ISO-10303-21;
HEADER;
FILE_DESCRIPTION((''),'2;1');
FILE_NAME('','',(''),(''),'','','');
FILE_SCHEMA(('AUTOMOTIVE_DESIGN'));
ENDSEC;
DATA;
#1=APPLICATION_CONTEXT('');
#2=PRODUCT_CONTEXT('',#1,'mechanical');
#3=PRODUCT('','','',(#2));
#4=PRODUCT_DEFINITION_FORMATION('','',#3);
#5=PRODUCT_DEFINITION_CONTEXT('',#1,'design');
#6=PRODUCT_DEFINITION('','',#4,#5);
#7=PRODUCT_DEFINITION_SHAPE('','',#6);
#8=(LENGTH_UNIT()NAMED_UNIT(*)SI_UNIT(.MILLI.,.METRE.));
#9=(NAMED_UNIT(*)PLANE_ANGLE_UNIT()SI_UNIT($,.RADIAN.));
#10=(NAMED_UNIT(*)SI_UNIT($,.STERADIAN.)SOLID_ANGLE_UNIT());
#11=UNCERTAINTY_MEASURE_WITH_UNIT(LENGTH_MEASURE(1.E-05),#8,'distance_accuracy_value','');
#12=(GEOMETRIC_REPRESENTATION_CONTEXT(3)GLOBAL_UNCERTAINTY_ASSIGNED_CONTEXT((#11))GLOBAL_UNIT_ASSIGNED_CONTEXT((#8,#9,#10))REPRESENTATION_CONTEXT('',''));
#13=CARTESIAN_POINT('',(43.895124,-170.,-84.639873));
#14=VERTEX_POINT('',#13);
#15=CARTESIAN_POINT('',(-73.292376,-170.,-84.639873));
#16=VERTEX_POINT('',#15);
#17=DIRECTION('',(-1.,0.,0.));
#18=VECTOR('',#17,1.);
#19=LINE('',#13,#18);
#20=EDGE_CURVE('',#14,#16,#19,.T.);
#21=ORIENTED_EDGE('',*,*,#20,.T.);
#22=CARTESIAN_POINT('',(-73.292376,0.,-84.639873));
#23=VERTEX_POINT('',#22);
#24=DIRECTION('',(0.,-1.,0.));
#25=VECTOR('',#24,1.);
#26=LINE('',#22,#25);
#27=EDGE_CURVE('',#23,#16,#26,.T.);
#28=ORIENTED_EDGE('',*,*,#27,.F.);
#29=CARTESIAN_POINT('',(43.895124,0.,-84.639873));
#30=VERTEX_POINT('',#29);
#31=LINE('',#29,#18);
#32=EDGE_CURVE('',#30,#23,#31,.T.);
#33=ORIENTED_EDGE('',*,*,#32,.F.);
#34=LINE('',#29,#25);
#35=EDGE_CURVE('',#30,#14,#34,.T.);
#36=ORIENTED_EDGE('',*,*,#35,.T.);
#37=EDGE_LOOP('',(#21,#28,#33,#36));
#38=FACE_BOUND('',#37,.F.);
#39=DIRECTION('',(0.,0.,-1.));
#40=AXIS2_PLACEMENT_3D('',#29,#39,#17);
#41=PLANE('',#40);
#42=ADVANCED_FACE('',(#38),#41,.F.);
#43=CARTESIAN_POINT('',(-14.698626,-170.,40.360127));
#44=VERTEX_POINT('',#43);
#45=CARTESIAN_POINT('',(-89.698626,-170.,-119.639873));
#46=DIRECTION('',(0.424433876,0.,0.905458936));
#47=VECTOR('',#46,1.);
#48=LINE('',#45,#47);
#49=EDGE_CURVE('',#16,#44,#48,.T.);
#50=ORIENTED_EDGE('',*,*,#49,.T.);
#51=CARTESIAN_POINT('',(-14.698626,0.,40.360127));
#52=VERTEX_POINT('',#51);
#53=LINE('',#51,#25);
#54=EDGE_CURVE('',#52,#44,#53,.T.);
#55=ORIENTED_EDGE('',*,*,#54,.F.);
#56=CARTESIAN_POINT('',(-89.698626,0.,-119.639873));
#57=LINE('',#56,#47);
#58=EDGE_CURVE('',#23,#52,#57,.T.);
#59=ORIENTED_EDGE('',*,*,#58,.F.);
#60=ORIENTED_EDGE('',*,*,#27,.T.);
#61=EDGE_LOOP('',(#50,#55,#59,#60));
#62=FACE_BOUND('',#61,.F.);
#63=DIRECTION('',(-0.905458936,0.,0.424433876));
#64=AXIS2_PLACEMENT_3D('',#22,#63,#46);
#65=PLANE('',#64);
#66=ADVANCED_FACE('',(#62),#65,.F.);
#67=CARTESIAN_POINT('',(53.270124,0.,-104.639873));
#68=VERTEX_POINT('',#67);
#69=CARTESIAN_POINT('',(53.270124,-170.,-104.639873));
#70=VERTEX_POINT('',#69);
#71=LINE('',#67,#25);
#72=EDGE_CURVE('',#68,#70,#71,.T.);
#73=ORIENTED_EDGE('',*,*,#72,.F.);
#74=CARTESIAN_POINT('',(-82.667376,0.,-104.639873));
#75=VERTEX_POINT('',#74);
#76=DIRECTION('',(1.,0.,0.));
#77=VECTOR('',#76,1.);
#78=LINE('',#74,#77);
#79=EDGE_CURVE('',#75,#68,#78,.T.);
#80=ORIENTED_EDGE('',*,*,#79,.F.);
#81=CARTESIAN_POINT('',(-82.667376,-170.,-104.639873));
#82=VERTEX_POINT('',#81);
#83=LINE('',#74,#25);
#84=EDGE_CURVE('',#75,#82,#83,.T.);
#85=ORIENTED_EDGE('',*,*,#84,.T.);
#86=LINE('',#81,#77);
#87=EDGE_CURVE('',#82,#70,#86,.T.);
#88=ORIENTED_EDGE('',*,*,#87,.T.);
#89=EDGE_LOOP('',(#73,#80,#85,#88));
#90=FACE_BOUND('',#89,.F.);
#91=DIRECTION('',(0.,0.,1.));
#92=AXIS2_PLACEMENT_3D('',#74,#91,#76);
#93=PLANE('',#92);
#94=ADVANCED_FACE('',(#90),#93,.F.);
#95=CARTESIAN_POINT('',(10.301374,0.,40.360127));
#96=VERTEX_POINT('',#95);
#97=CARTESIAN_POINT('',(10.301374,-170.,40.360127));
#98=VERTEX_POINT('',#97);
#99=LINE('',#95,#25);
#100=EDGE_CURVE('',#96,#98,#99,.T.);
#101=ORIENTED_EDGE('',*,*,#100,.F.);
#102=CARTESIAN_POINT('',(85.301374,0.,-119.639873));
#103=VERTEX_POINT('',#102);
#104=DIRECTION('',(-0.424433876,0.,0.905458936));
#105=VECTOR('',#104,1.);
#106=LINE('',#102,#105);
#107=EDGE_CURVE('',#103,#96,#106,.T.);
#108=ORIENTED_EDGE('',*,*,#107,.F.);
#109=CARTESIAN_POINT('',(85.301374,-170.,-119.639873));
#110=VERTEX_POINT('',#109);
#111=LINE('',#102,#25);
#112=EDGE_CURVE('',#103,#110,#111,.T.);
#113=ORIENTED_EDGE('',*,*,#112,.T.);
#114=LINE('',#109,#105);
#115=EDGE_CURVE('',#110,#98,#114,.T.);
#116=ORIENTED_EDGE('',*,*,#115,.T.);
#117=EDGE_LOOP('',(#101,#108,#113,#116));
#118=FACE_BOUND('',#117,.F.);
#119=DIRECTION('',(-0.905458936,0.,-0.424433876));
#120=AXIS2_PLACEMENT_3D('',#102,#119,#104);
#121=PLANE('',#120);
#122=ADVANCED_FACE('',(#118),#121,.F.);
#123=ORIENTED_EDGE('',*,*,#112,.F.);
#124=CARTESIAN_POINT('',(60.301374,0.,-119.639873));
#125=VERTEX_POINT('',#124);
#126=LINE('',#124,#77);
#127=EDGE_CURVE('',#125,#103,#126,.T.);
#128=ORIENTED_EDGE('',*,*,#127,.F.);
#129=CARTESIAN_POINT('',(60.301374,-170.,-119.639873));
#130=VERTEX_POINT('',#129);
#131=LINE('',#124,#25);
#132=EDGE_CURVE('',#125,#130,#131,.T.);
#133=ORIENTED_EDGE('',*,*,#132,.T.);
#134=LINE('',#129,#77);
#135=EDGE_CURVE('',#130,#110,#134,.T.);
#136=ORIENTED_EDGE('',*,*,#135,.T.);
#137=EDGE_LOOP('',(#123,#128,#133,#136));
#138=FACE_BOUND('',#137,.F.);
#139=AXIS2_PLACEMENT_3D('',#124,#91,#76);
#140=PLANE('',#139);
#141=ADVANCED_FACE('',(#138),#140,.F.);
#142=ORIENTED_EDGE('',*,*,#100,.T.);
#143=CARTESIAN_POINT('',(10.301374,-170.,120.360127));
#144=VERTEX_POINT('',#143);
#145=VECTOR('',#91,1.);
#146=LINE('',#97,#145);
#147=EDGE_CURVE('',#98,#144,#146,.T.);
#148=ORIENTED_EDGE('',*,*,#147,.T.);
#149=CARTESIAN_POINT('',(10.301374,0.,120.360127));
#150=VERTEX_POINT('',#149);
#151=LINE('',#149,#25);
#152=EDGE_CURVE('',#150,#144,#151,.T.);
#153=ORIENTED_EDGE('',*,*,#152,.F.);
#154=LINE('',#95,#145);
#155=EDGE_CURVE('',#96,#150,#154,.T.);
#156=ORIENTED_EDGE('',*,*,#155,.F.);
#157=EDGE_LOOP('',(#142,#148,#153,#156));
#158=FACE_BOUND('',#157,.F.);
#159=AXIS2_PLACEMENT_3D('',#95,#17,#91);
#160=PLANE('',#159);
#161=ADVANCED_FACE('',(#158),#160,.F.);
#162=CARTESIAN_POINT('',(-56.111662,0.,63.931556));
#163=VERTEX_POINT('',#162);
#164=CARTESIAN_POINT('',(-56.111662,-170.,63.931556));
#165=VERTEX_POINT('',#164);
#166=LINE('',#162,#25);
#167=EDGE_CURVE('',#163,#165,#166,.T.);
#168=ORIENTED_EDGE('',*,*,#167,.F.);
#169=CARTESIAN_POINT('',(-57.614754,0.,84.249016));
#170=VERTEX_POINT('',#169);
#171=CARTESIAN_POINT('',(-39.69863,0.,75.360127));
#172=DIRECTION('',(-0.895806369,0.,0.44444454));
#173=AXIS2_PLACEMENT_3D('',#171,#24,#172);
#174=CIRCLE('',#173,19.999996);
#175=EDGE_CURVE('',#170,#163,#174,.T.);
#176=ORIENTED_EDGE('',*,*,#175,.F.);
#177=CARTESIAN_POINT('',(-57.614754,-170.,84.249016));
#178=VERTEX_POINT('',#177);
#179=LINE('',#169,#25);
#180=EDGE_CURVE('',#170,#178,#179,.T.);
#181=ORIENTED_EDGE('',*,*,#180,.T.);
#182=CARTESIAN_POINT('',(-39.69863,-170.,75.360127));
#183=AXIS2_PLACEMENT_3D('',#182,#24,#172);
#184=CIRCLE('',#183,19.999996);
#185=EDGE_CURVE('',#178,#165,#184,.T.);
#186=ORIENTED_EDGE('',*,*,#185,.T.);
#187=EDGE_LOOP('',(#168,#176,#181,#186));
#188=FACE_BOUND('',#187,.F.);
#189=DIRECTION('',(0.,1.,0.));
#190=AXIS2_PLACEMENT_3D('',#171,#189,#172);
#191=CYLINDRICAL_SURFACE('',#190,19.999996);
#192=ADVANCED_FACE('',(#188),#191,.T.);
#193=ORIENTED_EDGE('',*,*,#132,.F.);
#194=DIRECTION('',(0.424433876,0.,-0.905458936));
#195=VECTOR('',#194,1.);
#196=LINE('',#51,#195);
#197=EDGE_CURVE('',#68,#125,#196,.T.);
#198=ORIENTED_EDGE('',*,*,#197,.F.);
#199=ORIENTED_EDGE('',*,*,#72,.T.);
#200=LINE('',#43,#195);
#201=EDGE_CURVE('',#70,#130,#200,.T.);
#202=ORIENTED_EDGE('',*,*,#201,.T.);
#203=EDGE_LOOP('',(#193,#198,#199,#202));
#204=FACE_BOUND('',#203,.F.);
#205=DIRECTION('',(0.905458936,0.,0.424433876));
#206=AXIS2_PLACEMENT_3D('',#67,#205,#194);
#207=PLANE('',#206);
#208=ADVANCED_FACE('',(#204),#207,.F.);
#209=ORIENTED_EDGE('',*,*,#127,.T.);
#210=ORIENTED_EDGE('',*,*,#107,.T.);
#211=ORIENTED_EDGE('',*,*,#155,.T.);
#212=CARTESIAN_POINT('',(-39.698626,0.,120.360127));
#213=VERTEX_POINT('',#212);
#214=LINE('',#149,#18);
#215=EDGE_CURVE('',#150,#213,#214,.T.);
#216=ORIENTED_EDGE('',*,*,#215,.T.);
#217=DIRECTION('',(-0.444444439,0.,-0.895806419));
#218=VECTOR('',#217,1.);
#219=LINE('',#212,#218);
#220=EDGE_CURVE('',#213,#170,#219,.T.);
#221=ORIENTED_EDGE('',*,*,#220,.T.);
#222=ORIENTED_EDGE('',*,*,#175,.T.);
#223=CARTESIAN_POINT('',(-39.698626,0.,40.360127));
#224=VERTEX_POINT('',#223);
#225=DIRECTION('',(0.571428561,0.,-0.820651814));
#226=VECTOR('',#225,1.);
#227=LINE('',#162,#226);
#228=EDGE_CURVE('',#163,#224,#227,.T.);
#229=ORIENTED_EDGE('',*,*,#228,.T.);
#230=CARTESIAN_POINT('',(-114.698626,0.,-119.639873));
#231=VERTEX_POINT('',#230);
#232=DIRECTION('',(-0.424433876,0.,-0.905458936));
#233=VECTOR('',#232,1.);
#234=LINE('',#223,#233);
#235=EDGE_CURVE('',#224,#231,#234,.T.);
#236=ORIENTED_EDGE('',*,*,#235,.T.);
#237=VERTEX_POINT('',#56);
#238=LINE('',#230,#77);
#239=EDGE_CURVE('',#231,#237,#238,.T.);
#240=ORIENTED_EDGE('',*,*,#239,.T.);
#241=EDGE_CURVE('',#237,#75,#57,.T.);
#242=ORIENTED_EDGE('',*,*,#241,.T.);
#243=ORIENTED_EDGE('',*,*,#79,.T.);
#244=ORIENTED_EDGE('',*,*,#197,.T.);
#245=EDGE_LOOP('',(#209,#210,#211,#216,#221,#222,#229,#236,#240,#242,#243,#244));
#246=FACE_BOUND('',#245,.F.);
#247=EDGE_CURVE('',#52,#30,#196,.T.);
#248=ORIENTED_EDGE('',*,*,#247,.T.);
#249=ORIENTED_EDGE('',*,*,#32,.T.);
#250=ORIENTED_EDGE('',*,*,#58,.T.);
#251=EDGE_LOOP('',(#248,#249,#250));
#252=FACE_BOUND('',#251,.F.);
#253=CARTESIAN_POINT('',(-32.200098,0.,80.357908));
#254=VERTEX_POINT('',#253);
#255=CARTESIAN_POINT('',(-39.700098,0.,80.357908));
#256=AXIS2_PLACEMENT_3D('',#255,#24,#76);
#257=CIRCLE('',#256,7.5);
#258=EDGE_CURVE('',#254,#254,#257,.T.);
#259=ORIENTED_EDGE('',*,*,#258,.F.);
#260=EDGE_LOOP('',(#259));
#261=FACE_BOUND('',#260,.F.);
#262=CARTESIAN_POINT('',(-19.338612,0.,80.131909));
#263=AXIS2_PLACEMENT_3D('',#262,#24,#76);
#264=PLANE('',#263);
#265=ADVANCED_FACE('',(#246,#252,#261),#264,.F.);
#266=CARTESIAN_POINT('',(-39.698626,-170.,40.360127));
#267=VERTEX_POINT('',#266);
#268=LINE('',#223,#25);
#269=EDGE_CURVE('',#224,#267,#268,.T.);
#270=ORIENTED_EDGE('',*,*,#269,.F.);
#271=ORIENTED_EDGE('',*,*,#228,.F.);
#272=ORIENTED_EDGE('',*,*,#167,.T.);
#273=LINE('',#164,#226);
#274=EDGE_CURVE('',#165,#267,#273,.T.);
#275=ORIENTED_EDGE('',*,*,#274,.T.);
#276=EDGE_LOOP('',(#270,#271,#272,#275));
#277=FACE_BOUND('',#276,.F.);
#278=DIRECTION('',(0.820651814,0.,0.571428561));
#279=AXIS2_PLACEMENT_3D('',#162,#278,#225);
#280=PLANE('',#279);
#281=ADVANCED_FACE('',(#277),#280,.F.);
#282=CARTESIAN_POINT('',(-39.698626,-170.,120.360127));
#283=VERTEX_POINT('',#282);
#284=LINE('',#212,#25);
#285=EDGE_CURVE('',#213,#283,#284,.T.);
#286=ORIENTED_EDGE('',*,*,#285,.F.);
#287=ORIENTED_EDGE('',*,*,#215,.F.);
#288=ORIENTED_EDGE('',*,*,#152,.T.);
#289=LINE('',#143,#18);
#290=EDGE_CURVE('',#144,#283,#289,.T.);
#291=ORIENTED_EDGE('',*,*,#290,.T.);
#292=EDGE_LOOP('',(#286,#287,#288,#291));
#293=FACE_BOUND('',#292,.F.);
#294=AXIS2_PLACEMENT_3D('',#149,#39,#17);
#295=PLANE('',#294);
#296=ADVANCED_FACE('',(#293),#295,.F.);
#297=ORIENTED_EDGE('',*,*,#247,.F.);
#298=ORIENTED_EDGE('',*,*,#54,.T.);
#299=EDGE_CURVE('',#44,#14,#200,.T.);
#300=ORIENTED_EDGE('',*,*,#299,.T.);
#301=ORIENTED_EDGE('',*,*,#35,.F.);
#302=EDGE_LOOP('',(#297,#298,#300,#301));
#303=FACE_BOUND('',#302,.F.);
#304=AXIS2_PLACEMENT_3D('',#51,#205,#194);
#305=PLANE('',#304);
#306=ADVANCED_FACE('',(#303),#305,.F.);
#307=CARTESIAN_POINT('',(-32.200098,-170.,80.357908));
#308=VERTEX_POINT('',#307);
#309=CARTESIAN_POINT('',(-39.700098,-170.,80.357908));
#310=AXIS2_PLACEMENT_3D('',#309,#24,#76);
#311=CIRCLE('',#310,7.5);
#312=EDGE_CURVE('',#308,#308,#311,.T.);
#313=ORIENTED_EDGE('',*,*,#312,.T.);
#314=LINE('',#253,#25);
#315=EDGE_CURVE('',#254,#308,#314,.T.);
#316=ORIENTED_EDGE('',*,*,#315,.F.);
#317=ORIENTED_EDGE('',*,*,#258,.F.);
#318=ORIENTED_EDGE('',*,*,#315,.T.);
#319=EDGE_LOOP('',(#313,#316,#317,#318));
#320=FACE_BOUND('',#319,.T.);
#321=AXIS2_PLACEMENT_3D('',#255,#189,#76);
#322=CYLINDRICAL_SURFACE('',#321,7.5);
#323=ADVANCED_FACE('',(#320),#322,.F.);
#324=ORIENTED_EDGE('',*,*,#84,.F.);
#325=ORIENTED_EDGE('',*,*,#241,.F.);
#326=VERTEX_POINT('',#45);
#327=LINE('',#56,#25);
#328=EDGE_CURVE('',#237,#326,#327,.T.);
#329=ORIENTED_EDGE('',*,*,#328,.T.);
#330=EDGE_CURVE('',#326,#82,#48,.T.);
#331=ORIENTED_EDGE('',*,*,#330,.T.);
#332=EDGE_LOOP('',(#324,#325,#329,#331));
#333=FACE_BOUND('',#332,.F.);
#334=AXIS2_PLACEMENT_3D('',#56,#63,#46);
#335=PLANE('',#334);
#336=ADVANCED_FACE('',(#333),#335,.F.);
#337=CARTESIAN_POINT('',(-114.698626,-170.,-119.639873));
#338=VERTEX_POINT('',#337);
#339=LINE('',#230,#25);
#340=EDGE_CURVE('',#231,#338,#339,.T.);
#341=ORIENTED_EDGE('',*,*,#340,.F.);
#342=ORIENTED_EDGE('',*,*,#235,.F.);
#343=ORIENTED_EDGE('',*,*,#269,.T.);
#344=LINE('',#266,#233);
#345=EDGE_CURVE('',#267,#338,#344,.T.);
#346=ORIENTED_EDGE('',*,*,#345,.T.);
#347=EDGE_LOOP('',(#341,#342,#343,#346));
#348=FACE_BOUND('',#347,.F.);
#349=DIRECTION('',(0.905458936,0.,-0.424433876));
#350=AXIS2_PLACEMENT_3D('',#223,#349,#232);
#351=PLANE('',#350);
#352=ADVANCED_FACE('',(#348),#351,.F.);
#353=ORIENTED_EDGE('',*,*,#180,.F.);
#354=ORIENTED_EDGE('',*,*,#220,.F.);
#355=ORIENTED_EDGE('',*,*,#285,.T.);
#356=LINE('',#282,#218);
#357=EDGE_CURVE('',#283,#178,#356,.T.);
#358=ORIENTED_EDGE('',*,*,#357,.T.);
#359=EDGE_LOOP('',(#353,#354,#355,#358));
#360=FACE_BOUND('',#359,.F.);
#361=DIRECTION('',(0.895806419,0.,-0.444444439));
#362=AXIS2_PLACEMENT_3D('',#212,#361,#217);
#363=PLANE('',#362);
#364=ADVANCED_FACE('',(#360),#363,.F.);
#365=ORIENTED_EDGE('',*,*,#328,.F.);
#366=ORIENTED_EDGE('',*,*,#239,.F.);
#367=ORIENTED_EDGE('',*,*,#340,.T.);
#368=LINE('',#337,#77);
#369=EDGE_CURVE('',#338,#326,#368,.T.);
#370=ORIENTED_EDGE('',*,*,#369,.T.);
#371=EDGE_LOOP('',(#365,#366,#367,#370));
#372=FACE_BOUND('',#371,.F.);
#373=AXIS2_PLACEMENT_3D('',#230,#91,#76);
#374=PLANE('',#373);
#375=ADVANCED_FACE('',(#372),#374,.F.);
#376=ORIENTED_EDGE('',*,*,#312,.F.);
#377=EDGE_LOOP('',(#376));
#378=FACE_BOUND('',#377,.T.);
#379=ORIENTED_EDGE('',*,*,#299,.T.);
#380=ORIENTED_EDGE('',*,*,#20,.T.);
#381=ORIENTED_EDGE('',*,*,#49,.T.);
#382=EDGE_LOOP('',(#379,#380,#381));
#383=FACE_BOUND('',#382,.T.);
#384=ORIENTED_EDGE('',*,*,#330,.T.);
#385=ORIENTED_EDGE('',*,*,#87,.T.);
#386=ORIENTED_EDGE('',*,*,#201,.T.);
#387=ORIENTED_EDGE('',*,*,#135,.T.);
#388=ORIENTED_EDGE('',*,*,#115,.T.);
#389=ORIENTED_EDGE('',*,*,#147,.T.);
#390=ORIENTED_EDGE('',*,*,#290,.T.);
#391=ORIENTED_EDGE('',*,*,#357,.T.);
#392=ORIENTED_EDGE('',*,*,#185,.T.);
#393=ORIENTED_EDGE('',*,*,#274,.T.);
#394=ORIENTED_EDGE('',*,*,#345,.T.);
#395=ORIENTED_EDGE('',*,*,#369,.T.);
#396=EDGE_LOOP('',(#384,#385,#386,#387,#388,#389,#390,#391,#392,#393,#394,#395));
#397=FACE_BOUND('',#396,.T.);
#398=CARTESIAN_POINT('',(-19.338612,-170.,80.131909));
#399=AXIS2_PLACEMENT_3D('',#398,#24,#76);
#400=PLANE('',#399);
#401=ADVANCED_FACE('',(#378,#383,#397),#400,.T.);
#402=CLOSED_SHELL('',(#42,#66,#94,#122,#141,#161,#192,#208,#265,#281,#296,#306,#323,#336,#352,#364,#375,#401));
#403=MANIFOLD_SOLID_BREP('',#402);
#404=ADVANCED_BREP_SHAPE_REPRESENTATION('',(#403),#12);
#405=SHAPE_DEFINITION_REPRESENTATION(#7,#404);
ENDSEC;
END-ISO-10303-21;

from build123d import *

# Parameters (mm, degrees)
F0_R     = 7.5
F1_DEPTH = 170


with BuildPart() as f1:
    # F0 (on Front) → F1 (new body)
    with BuildSketch(Plane.XZ):
        with BuildLine():
            Line((-14.698626, 40.360127), (10.301374, 40.360127))
            Line((10.301374, 40.360127), (10.301374, 120.360127))
            Line((10.301374, 120.360127), (-39.698626, 120.360127))
            Line((-39.698626, 120.360127), (-57.614754, 84.249016))
            ThreePointArc((-57.614754, 84.249016), (-59.644119, 73.884553), (-56.111662, 63.931556))
            Line((-56.111662, 63.931556), (-39.698626, 40.360127))
            Line((-39.698626, 40.360127), (-14.698626, 40.360127))
        make_face()
        with Locations((-39.700098, 80.357908)):
            Circle(F0_R, mode=Mode.SUBTRACT)
        Polygon((85.301374, -119.639873), (10.301374, 40.360127), (-14.698626, 40.360127), (43.895124, -84.639873), (53.270124, -104.639873), (60.301374, -119.639873), align=None)
        Polygon((-73.292376, -84.639873), (-14.698626, 40.360127), (-39.698626, 40.360127), (-114.698626, -119.639873), (-89.698626, -119.639873), (-82.667376, -104.639873), align=None)
        Polygon((43.895124, -84.639873), (-73.292376, -84.639873), (-82.667376, -104.639873), (53.270124, -104.639873), align=None)
    extrude(amount=F1_DEPTH)


solid = f1.part
